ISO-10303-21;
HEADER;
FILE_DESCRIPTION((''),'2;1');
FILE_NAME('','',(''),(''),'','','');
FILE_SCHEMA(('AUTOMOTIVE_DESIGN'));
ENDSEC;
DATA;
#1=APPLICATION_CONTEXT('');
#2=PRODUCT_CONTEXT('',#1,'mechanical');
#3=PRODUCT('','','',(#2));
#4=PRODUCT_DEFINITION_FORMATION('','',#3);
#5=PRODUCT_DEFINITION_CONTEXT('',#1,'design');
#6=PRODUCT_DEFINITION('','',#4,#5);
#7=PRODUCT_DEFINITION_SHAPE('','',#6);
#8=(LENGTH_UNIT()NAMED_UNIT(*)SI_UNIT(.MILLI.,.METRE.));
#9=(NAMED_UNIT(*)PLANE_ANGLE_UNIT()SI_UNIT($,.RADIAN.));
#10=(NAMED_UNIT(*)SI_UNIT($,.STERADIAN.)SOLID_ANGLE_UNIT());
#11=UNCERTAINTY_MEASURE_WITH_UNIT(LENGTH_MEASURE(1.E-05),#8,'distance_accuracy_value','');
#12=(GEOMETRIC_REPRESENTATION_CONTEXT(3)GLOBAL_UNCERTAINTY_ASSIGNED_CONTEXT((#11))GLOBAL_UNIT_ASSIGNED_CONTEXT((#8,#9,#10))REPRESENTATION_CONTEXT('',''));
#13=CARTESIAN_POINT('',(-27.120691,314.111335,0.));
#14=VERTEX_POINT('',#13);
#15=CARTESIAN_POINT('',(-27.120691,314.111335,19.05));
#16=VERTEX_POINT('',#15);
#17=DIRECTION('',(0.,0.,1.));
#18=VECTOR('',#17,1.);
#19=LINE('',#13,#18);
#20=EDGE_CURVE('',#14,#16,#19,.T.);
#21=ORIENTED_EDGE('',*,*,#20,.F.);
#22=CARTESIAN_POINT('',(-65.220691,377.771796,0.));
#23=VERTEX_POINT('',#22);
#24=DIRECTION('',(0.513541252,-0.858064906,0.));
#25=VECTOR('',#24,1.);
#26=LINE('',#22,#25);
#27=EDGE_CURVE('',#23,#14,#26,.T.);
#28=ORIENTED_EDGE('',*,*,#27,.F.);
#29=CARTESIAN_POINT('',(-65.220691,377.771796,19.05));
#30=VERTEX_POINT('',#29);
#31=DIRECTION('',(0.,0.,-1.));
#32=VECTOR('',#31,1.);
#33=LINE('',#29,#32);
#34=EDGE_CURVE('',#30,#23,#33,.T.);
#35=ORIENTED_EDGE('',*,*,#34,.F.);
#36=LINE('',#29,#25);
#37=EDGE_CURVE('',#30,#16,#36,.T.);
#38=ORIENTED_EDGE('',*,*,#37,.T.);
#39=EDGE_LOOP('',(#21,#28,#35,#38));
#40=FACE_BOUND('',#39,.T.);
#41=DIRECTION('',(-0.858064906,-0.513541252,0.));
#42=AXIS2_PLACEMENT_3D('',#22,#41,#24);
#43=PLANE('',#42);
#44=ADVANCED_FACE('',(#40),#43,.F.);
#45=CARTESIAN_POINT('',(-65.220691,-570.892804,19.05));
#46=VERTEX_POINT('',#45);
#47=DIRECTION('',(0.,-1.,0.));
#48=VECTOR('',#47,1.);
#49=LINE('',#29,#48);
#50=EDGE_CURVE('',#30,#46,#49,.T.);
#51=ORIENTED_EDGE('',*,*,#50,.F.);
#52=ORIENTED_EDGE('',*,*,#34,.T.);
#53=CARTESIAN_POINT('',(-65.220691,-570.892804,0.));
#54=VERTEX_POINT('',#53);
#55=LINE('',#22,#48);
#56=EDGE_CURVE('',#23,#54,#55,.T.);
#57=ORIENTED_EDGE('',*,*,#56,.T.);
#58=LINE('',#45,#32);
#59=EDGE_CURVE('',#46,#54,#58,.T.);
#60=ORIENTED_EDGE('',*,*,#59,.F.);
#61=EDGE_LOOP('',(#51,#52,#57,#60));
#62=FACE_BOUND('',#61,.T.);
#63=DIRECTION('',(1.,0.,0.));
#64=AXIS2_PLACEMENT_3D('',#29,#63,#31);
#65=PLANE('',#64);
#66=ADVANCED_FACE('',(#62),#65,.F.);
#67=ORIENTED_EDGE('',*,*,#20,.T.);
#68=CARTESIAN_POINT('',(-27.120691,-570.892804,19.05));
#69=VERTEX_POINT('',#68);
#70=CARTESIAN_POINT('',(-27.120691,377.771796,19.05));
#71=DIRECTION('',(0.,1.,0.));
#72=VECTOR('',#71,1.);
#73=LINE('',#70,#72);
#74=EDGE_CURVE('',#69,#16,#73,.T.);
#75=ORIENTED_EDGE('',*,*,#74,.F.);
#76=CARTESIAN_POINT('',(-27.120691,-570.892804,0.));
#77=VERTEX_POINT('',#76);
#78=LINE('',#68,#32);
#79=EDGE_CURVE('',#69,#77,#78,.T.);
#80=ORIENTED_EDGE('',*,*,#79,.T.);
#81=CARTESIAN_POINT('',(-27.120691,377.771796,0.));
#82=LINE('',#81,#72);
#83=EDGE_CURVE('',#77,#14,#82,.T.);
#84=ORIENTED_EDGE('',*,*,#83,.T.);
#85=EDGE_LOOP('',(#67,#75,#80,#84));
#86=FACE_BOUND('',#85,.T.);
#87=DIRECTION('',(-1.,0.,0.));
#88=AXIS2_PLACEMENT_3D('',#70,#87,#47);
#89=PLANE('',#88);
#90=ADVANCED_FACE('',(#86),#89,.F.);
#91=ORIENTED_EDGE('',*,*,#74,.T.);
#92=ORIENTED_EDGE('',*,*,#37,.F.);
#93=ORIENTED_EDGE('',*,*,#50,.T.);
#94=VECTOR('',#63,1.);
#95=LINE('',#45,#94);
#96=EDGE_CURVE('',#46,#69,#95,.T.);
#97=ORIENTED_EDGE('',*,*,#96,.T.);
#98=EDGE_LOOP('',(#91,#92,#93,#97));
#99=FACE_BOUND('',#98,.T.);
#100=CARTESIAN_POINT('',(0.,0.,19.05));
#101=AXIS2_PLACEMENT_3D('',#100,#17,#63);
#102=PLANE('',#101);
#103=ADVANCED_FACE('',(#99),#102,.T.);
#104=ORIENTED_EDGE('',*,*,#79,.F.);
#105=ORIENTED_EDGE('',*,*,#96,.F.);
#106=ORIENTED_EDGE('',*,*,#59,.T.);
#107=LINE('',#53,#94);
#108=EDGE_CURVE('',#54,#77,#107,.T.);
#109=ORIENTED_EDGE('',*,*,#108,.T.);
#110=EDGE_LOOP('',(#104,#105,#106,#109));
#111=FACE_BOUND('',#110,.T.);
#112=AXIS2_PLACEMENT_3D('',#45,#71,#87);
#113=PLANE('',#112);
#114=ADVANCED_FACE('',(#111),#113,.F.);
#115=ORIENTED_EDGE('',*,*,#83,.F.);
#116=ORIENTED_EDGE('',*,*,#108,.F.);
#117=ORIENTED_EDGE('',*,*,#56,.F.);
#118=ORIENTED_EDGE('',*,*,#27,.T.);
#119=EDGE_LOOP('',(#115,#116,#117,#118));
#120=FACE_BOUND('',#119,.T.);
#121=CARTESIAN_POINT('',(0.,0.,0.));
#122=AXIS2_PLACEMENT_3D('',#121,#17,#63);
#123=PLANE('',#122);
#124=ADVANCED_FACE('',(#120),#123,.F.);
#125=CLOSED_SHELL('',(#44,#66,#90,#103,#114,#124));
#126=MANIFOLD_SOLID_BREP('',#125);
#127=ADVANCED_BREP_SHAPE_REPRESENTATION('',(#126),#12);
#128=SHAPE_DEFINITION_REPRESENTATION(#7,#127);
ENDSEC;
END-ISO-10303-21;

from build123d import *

# Parameters (mm, degrees)
SKETCH1_W           = 38.1
SKETCH1_H           = 948.6646
BOSS_EXTRUDE1_DEPTH = 19.05
CUT_EXTRUDE1_DEPTH  = 20.05


with BuildPart() as part:
    # Sketch1 → Boss-Extrude1 (new body)
    with BuildSketch(Plane.XY):
        with Locations((-46.17069125, -96.560503929)):
            Rectangle(SKETCH1_W, SKETCH1_H)
    extrude(amount=BOSS_EXTRUDE1_DEPTH)

    # Sketch2 → Cut-Extrude1 (cut, through all)
    with BuildSketch(Plane.XY.offset(19.05)):
        Polygon((-65.22069125, 377.771796071), (-27.12069125, 314.111334956), (-27.12069125, 377.771796071), align=None)
    extrude(amount=-CUT_EXTRUDE1_DEPTH, mode=Mode.SUBTRACT)


solid = part.part
